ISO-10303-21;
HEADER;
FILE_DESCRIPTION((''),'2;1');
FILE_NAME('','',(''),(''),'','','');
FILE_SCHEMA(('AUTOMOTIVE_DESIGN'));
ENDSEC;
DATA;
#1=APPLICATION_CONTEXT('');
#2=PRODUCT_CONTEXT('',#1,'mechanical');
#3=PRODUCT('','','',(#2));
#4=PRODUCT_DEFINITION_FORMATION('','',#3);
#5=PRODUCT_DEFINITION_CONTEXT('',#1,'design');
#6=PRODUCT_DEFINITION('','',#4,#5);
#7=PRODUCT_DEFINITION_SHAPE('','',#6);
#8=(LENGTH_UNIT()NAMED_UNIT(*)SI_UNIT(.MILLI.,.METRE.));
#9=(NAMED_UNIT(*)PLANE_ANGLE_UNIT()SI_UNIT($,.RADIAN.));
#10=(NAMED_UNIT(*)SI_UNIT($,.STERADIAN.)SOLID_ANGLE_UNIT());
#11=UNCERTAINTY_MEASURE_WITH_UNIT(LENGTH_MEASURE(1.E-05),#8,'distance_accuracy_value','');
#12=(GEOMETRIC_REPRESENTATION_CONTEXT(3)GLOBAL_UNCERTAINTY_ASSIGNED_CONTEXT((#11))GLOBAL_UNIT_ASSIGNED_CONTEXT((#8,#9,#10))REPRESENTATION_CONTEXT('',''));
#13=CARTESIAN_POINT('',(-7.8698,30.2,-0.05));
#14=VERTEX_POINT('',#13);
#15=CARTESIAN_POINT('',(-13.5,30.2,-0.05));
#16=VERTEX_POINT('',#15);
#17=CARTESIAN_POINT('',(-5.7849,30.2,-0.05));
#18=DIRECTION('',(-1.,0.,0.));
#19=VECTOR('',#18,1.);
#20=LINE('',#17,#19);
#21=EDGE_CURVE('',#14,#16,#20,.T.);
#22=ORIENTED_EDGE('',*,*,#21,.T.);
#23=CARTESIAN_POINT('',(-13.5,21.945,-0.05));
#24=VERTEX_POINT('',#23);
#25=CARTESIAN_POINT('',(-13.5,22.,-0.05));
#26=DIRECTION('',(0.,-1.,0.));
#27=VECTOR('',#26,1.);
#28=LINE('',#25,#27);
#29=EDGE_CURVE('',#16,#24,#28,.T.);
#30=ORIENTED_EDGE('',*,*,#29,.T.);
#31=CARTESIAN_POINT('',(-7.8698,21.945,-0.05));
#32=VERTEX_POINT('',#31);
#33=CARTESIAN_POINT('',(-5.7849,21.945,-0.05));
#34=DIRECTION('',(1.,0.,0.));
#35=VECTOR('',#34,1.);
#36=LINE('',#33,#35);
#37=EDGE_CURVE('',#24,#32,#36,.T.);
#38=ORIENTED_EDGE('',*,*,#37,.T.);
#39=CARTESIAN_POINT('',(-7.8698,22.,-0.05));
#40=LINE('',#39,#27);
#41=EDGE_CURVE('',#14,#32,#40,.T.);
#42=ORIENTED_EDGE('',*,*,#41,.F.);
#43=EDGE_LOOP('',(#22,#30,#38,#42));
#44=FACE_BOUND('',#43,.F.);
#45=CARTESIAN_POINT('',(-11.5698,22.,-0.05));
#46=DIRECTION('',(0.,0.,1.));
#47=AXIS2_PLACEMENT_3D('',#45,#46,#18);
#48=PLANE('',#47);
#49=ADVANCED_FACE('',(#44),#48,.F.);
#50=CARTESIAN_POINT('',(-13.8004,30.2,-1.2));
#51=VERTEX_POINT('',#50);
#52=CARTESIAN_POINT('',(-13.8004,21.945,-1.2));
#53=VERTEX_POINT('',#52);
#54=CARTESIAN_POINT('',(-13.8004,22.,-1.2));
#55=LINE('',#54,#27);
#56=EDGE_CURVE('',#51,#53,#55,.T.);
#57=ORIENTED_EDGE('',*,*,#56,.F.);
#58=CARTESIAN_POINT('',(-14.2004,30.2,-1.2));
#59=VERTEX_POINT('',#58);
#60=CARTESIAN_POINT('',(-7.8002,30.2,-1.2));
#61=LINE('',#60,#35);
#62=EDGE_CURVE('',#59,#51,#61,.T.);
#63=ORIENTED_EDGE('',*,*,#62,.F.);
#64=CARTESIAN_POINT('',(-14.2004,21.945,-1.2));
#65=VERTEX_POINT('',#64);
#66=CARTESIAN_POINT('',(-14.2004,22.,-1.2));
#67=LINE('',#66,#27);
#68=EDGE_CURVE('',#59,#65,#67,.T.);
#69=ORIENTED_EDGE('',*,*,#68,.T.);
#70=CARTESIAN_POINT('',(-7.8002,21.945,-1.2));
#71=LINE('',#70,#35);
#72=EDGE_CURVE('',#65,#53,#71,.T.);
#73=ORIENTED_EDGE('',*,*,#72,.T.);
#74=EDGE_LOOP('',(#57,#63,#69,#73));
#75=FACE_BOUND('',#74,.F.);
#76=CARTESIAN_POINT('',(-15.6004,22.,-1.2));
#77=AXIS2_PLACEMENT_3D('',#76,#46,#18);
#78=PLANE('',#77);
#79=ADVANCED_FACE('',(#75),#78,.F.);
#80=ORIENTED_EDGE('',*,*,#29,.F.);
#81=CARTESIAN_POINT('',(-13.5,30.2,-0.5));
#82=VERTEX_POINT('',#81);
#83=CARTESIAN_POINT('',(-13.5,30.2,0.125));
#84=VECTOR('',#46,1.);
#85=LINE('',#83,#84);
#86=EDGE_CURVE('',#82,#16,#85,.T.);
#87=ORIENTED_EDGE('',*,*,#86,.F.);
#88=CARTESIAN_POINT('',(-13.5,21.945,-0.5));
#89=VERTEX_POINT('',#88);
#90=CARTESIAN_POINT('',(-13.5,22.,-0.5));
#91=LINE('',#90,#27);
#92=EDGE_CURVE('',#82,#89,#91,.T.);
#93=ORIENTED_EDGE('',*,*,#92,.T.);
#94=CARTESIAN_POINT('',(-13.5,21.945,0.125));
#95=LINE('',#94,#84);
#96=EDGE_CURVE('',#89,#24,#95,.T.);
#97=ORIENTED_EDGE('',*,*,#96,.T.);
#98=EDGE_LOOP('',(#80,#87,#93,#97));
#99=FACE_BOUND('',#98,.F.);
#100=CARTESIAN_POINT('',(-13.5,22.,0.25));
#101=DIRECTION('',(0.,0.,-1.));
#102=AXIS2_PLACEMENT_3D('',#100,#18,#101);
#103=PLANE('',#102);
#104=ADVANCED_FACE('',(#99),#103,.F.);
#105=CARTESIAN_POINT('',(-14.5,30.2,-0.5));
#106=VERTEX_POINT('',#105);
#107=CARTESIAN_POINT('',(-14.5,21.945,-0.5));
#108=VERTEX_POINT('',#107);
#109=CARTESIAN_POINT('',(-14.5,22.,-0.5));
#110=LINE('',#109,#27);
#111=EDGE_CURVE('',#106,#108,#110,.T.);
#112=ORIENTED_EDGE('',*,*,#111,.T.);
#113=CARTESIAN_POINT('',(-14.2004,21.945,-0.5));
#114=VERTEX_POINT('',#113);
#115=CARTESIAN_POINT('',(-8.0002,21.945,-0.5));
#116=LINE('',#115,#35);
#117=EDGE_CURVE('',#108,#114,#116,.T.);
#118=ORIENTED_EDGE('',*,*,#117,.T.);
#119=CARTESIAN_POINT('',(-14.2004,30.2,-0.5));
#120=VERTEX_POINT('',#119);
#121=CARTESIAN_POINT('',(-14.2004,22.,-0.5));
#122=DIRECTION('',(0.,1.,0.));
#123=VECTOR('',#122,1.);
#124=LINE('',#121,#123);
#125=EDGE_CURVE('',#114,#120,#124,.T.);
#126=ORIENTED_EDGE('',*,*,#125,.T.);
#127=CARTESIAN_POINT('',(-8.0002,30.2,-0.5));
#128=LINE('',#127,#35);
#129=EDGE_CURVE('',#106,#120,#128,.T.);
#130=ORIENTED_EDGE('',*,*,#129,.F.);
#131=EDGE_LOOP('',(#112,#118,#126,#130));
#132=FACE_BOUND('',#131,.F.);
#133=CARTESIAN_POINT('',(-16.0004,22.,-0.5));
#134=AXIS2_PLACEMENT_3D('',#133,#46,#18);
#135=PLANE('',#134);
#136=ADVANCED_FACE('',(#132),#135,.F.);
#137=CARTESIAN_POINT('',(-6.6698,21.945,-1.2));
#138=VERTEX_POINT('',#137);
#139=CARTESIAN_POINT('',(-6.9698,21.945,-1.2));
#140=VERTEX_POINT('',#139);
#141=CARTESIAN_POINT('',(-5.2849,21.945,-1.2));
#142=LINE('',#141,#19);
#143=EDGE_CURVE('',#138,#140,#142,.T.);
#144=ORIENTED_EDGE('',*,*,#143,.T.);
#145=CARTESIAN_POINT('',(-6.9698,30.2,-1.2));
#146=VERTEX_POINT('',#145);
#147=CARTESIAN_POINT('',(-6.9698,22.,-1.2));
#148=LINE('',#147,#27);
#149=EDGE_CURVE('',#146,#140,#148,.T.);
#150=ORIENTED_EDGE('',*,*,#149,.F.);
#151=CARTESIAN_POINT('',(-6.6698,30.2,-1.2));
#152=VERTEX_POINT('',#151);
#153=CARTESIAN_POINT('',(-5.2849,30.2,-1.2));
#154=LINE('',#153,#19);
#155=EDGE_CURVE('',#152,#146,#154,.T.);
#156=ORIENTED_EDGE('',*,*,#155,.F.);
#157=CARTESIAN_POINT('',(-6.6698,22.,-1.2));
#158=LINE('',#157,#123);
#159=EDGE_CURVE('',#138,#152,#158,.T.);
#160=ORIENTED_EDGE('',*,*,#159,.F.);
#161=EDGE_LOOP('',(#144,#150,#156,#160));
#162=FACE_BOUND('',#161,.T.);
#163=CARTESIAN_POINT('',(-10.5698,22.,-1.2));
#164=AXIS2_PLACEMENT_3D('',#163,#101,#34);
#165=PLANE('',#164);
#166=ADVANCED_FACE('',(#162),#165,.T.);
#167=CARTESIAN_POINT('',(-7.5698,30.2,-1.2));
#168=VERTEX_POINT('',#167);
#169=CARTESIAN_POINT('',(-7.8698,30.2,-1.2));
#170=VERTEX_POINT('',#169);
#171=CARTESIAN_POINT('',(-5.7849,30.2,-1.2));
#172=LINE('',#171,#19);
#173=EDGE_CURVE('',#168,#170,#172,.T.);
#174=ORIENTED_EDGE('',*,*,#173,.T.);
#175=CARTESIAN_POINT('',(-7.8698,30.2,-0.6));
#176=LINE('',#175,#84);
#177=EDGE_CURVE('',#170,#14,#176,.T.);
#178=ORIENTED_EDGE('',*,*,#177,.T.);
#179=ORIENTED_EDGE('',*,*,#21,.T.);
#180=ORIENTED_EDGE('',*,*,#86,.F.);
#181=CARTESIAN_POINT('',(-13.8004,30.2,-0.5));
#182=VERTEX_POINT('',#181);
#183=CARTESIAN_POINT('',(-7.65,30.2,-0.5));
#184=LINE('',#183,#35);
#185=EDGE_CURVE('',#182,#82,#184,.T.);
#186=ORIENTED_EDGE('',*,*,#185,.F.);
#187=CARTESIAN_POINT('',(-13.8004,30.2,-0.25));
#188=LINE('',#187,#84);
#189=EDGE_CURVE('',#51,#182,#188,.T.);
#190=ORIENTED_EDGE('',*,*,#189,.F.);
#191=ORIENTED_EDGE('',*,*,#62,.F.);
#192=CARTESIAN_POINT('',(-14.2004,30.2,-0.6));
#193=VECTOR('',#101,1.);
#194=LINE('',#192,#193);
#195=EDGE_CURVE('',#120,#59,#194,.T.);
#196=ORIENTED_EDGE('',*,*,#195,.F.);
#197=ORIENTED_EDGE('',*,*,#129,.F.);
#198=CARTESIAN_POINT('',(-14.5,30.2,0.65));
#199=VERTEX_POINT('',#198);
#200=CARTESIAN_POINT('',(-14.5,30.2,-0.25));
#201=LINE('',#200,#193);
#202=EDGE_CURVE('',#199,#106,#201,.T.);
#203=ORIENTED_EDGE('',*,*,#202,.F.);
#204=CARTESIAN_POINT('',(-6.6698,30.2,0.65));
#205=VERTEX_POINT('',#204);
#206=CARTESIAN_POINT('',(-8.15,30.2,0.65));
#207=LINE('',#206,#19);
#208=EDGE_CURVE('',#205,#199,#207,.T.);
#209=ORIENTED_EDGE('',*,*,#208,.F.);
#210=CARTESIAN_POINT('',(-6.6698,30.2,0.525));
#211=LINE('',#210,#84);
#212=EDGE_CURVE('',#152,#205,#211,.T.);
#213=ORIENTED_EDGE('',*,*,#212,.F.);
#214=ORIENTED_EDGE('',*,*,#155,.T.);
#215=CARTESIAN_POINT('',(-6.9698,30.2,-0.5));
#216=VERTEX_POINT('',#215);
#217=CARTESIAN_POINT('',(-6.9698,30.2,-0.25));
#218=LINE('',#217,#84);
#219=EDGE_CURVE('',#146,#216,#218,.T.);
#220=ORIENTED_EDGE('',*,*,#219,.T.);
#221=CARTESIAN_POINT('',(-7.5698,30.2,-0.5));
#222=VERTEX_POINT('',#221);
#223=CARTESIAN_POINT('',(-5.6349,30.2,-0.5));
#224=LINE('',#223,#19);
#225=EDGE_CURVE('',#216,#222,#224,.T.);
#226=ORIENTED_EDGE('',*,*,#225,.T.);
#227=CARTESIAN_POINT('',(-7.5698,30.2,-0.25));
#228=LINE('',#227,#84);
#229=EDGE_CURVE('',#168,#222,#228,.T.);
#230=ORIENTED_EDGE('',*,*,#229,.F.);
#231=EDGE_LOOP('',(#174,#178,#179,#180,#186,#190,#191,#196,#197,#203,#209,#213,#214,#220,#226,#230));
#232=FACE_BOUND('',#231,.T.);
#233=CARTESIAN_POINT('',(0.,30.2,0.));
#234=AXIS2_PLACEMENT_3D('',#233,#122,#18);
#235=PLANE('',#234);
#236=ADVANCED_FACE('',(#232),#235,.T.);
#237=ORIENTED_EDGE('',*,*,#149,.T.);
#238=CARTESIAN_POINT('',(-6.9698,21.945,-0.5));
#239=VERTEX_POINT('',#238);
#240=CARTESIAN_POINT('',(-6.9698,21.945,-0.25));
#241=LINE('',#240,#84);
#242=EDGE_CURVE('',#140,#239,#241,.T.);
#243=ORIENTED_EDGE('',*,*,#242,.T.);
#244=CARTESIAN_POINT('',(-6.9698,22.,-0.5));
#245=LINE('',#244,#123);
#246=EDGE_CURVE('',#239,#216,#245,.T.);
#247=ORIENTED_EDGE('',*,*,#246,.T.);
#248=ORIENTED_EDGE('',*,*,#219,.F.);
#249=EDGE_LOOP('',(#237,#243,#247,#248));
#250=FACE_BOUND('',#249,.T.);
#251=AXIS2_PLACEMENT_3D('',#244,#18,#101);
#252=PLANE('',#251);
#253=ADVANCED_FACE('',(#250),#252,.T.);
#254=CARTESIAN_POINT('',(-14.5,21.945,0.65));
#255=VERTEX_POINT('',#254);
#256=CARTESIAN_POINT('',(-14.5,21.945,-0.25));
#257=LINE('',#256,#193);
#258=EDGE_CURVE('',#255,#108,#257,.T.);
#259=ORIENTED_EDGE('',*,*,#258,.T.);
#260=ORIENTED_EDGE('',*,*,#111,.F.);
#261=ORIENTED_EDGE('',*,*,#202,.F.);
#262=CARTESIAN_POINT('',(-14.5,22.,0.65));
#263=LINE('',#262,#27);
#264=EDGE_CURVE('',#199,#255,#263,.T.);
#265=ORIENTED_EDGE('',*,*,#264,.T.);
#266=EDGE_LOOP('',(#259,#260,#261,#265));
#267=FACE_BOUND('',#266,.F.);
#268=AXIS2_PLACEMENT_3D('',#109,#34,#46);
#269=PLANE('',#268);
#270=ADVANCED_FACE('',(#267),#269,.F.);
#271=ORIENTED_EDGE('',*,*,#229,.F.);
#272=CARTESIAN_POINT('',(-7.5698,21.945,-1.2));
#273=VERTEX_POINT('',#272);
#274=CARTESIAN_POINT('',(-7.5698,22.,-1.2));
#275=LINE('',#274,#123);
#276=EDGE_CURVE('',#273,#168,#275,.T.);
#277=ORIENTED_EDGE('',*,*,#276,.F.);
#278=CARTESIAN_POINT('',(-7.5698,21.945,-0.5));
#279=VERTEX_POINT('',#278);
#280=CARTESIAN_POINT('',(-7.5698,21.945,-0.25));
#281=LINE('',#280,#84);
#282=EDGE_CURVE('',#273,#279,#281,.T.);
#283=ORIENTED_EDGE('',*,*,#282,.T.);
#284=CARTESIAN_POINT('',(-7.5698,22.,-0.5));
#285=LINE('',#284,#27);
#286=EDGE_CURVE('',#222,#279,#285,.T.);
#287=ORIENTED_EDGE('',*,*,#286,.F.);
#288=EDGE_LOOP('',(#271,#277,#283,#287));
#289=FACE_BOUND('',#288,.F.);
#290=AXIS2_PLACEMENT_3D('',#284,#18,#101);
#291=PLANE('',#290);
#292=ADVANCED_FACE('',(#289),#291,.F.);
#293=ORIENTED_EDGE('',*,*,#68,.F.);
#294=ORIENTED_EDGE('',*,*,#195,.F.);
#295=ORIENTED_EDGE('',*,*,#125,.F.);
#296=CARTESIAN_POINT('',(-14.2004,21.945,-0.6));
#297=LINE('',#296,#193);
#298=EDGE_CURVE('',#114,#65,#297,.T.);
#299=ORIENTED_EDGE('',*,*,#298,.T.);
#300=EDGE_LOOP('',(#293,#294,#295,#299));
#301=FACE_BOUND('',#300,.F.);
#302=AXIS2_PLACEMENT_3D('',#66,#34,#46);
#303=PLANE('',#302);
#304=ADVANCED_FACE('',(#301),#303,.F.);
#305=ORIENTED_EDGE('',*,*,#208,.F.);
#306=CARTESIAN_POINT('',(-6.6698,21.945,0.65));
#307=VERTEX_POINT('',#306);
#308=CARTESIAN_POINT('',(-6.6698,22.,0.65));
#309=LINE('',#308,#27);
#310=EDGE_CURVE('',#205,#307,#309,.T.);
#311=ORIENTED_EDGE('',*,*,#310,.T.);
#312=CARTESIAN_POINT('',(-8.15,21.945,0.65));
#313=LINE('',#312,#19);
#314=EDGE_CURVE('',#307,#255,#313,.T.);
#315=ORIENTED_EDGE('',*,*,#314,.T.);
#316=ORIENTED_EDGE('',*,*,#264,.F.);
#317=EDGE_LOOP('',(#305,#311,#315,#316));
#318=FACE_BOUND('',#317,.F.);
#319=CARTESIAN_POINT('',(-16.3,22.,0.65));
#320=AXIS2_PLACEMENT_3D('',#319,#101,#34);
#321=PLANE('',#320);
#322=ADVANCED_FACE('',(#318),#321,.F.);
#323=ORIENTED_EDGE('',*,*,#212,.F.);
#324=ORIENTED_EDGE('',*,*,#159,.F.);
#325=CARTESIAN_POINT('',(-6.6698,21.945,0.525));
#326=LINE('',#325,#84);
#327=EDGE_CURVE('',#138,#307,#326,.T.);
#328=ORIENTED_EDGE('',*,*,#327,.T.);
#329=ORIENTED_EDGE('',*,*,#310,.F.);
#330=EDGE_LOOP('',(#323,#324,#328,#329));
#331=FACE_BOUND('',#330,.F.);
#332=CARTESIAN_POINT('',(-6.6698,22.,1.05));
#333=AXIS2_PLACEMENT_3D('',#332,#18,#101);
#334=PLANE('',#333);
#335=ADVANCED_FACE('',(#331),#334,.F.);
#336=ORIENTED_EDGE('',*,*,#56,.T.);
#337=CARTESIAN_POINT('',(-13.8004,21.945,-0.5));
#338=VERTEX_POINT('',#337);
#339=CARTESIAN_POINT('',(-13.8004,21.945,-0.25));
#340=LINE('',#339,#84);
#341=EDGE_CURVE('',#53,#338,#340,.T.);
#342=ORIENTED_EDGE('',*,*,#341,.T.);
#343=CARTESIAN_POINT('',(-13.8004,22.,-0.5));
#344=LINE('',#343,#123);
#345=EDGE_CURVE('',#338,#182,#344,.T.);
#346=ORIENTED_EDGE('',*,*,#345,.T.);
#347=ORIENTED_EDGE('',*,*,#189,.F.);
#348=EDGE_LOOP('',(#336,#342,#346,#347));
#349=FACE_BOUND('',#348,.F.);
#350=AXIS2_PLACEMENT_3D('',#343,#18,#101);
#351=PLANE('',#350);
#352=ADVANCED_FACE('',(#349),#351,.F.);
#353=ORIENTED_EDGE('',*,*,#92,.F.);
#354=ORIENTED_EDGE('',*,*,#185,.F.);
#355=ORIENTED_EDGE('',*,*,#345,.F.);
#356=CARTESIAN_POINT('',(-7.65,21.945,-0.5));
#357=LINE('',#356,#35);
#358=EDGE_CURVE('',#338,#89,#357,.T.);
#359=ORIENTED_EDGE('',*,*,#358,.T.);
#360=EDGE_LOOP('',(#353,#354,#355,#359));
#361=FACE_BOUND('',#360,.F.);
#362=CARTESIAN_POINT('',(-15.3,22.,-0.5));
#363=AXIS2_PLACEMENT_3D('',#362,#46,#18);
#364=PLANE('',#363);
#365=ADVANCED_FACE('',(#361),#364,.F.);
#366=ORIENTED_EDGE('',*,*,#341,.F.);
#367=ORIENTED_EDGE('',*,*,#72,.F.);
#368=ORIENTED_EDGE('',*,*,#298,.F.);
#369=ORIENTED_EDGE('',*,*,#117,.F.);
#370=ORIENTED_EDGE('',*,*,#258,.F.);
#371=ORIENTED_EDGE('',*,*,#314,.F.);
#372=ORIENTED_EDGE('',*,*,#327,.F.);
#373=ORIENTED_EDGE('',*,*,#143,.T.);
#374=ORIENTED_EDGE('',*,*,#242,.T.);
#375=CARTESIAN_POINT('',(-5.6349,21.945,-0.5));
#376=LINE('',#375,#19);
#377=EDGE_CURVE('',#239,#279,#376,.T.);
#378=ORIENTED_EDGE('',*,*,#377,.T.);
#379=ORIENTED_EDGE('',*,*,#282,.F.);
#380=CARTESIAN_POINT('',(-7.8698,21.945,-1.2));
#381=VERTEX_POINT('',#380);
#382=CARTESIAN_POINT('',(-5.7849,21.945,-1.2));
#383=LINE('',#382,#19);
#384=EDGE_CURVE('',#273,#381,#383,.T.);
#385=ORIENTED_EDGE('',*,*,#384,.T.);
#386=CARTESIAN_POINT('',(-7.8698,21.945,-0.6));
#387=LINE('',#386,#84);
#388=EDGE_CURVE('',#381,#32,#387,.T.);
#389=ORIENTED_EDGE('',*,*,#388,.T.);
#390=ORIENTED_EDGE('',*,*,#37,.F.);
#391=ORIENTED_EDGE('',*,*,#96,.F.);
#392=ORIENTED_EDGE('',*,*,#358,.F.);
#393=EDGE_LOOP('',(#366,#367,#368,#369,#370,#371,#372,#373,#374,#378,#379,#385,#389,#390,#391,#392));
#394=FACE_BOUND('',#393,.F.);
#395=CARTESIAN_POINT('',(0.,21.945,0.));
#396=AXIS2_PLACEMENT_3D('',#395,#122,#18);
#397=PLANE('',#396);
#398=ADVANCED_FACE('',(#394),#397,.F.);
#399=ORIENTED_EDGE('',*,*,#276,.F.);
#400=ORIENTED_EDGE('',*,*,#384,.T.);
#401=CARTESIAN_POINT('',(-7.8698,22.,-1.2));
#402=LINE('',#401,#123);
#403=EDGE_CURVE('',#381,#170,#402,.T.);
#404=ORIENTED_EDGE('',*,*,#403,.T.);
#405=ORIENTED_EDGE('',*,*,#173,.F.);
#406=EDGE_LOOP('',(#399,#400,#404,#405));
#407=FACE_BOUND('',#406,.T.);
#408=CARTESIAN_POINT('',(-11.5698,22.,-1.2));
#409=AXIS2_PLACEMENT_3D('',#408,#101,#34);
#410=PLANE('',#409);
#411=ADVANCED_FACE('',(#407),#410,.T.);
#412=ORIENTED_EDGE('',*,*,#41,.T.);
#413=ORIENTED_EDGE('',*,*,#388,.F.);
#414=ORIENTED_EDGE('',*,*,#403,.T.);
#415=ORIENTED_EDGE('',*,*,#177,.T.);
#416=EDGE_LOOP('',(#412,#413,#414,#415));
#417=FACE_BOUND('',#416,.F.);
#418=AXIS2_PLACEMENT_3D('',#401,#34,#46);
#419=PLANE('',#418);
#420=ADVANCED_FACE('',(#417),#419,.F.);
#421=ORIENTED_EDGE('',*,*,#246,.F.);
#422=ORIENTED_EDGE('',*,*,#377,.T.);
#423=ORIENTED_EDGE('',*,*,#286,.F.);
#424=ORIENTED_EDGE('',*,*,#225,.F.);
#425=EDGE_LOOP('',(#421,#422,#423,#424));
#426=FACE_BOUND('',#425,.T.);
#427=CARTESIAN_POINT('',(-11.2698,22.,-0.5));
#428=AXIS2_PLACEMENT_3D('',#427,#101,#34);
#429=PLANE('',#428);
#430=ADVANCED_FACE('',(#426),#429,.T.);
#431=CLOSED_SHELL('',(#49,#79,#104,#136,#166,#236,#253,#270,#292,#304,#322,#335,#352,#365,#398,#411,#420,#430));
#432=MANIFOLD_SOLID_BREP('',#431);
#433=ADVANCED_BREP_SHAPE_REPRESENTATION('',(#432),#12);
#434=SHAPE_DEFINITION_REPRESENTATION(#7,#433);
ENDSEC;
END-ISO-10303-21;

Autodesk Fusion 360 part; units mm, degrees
sketch "Sketch1" plane through (0, 22, 0) normal (0, 1, 0) x (-1, 0, 0)
  line L0 (11.5698, 0.25) -> (15.3, 0.25)
  line L1 (15.3, 0.25) -> (15.3, -0.5)
  line L2 (15.3, -0.5) -> (15.6004, -0.5)
  line L3 (15.6004, -0.5) -> (15.6004, -1.2)
  line L4 (15.6004, -1.2) -> (16.0004, -1.2)
  line L5 (16.0004, -1.2) -> (16.0004, -0.5)
  line L6 (16.0004, -0.5) -> (16.3, -0.5)
  line L7 (16.3, -0.5) -> (16.3, 1.05)
  line L8 (16.3, 1.05) -> (5, 1.05)
  line L9 (11.5698, -1.2) -> (11.5698, 0.25)
  line L10 (11.5698, -0.6208) -> (11.2698, -0.6208) construction
  line L11 (11.2698, -0.5) -> (11.2698, -1.2)
  line L12 (11.2698, -0.5) -> (10.5698, -0.5)
  line L13 (10.5698, -0.5) -> (10.5698, -1.2)
  line L14 (10.5698, -0.678) -> (10.2698, -0.678) construction
  line L15 (10.2698, 1.05) -> (10.2698, -1.2)
  line L16 (10.2698, 1.05) -> (16.3, 1.05)
  line L17 (16.3, -0.5) -> (16.0004, -0.5)
  line L18 (16.0004, -1.2) -> (15.6004, -1.2)
  line L19 (15.6004, -0.5) -> (15.3, -0.5)
  line L20 (15.3, 0.25) -> (11.5698, 0.25)
  line L21 (11.5698, -1.2) -> (11.2698, -1.2)
  line L22 (11.5698, -1.2) -> (11.2698, -1.2)
  line L23 (11.2698, -0.5) -> (10.5698, -0.5)
  line L24 (10.5698, -1.2) -> (10.2698, -1.2)
  line L25 (10.2698, 1.05) -> (16.3, 1.05)
  line L26 (16.3, -0.5) -> (16.0004, -0.5)
  line L27 (16.0004, -1.2) -> (15.6004, -1.2)
  line L28 (15.6004, -0.5) -> (15.3, -0.5)
  line L29 (15.3, 0.25) -> (11.5698, 0.25)
  dimension "d14" = 0.3
  dimension "d15" = 0.7
  dimension "d16" = 0.3
extrude "Extrude1" add sketch "Sketch1" along normal blind 8.2 makes body 1
copy_body "Body->Comp1" bodies 1 removing the originals makes body 2 in component "Component"
move_face "OffsetFaces1" offset 0.3 1 faces at (-12.8132, 24.7333, 0.25) on bodies 2 in component "Component"
move_face "OffsetFaces2" offset -0.4 1 faces at (-12.2798, 27.4667, 1.05) on bodies 2 in component "Component"
move_face "OffsetFaces3" offset 3.3 1 faces at (-10.2698, 24.7333, 0.0333) on bodies 2 in component "Component"
move_face "OffsetFaces4" offset -3.3 1 faces at (-10.5698, 24.7333, -0.7333) on bodies 2 in component "Component"
move_face "OffsetFaces5" offset 3.3 1 faces at (-11.2698, 24.7333, -0.7333) on bodies 2 in component "Component"
move_face "OffsetFaces6" offset -3.3 1 faces at (-11.5698, 27.4667, -0.8167) on bodies 2 in component "Component"
move_face "OffsetFaces7" offset -4.2 1 faces at (-10.5132, 22, 0.4167) on bodies 2 in component "Component"
move_face "OffsetFaces8" offset -0.1 1 faces at (-8.2698, 28.8667, -0.4333) on bodies 2 in component "Component"
move_face "OffsetFaces9" offset 0.1 1 faces at (-7.9698, 27.5333, -0.7333) on bodies 2 in component "Component"
move_face "OffsetFaces10" offset 4.255 1 faces at (-10.4798, 26.2, 0.4167) on bodies 2 in component "Component"
move_face "OffsetFaces11" offset 0.3 1 faces at (-6.9698, 24.6967, 0.0333) on bodies 2 in component "Component"
move_face "OffsetFaces12" offset 0.3 1 faces at (-7.8698, 24.6967, -0.7333) on bodies 2 in component "Component"
move_face "OffsetFaces13" offset -0.3 1 faces at (-7.2698, 24.6967, -0.7333) on bodies 2 in component "Component"
move_face "OffsetFaces14" offset -0.3 1 faces at (-8.1698, 24.6967, -0.8167) on bodies 2 in component "Component"
move_face "OffsetFaces15" offset 1.8 2 faces at (-15.3, 24.6967, -0.2) (-15.6004, 24.6967, -0.7333) on bodies 2 in component "Component"
move_face "OffsetFaces16" offset -1.8 2 faces at (-16.0004, 24.6967, -0.9667) (-16.3, 24.6967, -0.1167) on bodies 2 in component "Component"
component "Component" placed x (1, 0, 0) y (0, 1, 0) z (0, 0, 1) at (0, 0, 0)
